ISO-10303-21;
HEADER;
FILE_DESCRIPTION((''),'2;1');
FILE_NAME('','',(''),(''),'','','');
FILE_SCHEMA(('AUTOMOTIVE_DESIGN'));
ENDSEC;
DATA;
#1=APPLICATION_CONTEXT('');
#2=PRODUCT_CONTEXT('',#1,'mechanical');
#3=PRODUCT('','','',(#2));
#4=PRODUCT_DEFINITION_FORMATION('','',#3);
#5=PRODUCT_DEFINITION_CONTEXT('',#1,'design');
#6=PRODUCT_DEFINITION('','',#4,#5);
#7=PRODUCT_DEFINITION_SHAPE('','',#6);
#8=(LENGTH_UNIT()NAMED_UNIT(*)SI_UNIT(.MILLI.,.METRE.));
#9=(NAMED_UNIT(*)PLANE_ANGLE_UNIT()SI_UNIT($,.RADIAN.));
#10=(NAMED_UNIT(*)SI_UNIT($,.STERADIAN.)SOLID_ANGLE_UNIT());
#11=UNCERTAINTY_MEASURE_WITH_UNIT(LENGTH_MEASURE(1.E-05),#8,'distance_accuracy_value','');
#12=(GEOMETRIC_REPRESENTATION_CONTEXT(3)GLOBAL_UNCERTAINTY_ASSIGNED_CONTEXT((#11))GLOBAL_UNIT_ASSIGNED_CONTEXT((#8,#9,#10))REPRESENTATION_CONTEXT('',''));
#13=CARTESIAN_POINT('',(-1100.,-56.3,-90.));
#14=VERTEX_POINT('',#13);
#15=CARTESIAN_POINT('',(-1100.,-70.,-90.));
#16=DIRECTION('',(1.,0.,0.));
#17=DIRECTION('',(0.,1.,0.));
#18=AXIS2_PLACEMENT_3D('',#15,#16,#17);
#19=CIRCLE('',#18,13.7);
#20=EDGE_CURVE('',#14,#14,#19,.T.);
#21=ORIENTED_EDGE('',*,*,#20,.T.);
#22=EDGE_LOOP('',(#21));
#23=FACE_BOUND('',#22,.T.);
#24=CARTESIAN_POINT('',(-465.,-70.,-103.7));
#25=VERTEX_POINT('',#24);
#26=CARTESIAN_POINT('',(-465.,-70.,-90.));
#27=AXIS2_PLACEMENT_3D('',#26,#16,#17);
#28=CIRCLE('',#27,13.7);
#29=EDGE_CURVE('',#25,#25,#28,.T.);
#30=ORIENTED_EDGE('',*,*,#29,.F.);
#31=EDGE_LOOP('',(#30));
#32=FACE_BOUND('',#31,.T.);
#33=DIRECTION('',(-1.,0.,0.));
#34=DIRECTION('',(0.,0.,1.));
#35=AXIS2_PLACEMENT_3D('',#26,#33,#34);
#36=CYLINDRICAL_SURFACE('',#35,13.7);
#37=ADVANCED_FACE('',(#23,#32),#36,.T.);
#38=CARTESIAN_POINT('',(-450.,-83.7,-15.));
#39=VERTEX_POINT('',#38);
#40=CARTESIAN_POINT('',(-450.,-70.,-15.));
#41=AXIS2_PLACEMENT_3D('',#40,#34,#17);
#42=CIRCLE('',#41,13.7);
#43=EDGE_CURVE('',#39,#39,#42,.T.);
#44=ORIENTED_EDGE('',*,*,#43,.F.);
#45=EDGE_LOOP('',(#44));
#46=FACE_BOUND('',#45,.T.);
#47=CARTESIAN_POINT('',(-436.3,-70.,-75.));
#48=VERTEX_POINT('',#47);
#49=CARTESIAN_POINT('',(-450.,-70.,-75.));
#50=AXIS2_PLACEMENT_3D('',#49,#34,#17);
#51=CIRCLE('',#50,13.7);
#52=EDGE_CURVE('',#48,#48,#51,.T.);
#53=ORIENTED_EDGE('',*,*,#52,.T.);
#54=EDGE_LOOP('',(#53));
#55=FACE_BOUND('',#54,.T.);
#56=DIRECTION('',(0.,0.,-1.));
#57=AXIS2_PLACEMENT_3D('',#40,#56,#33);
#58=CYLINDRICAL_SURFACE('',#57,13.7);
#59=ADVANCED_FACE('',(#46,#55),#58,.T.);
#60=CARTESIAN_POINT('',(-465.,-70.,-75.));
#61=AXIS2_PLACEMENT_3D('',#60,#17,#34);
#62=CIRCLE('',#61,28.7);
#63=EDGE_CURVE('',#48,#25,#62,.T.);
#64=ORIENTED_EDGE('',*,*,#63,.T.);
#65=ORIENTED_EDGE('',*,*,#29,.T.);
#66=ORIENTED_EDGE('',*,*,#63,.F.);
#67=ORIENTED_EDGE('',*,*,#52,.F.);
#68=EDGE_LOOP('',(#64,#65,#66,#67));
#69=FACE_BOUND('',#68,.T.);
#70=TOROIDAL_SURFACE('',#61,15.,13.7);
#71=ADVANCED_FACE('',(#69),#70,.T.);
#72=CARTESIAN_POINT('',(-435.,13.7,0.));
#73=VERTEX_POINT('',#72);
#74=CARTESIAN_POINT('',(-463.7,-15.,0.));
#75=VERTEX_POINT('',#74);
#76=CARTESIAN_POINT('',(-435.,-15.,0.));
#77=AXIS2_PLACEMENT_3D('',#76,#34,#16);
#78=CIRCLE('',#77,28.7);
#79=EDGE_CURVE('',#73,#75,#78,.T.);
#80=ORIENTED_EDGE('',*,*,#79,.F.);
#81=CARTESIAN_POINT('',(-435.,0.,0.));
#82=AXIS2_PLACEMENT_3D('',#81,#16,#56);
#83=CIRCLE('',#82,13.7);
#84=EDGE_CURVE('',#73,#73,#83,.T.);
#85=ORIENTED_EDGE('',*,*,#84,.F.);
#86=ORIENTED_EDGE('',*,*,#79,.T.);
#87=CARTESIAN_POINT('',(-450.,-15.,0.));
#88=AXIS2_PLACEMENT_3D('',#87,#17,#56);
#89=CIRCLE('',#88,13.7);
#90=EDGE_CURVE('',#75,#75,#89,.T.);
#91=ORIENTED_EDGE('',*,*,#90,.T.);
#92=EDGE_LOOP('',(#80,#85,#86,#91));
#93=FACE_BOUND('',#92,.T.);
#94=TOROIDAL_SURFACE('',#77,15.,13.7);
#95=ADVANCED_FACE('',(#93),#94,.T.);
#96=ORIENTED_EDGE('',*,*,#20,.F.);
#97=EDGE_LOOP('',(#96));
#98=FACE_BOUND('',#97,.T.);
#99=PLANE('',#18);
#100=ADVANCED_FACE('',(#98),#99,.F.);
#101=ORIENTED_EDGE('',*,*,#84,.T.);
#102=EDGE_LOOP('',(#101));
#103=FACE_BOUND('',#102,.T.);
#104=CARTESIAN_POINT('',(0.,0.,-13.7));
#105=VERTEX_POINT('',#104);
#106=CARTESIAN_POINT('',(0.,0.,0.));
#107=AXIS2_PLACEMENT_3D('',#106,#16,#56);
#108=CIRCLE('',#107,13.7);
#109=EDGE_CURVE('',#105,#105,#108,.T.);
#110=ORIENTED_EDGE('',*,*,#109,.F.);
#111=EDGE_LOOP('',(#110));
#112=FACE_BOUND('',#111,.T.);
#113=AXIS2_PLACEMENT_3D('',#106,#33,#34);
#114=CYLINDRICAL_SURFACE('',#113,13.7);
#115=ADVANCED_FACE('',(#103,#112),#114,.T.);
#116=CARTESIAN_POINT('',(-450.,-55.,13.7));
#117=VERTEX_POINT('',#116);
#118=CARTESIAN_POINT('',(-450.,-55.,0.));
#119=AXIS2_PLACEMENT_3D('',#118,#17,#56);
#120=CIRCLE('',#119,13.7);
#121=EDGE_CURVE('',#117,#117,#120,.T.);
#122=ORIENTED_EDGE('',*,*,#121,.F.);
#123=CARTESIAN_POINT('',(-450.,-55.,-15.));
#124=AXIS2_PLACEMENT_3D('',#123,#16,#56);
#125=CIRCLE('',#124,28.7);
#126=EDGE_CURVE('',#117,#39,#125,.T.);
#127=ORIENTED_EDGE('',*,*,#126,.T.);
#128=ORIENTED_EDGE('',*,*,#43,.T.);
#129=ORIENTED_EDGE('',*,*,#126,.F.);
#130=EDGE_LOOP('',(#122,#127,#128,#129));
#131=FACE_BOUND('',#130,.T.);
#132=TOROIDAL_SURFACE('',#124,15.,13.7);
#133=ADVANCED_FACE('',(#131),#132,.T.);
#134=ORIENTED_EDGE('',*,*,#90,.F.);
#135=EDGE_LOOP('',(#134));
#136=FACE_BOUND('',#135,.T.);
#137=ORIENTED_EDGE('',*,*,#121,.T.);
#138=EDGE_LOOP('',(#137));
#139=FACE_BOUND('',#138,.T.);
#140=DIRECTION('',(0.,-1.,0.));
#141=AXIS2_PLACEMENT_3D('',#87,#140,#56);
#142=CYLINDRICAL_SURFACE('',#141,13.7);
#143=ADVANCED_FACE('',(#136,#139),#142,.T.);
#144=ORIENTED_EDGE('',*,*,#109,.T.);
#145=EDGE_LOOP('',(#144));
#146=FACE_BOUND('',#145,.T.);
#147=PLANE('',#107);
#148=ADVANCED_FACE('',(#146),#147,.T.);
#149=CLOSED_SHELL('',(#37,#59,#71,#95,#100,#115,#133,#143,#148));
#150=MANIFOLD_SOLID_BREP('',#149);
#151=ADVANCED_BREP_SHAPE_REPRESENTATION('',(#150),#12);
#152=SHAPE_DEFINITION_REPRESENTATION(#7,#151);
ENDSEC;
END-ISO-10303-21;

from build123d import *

# Parameters (mm, degrees)
CROQUIS1_R = 13.7


with BuildPart() as part:
    # Barrer1: sweep along a curve in space
    with BuildLine() as barrer1_path:
        Line((0, 0, 0), (-435, 0, 0))
        ThreePointArc((-435, 0, 0), (-445.606601718, -4.393398282, 0), (-450, -15, 0))
        Line((-450, -15, 0), (-450, -55, 0))
        ThreePointArc((-450, -55, 0), (-450, -65.606601718, -4.393398282), (-450, -70, -15))
        Line((-450, -70, -15), (-450, -70, -75))
        ThreePointArc((-450, -70, -75), (-454.393398282, -70, -85.606601718), (-465, -70, -90))
        Line((-465, -70, -90), (-1100, -70, -90))
    # Croquis1 → Barrer1 (sweep)
    with BuildSketch(Plane(origin=(0, 0, 0), x_dir=(0, 0, -1), z_dir=(1, 0, 0))):
        Circle(CROQUIS1_R)
    sweep(path=barrer1_path.line)


solid = part.part
